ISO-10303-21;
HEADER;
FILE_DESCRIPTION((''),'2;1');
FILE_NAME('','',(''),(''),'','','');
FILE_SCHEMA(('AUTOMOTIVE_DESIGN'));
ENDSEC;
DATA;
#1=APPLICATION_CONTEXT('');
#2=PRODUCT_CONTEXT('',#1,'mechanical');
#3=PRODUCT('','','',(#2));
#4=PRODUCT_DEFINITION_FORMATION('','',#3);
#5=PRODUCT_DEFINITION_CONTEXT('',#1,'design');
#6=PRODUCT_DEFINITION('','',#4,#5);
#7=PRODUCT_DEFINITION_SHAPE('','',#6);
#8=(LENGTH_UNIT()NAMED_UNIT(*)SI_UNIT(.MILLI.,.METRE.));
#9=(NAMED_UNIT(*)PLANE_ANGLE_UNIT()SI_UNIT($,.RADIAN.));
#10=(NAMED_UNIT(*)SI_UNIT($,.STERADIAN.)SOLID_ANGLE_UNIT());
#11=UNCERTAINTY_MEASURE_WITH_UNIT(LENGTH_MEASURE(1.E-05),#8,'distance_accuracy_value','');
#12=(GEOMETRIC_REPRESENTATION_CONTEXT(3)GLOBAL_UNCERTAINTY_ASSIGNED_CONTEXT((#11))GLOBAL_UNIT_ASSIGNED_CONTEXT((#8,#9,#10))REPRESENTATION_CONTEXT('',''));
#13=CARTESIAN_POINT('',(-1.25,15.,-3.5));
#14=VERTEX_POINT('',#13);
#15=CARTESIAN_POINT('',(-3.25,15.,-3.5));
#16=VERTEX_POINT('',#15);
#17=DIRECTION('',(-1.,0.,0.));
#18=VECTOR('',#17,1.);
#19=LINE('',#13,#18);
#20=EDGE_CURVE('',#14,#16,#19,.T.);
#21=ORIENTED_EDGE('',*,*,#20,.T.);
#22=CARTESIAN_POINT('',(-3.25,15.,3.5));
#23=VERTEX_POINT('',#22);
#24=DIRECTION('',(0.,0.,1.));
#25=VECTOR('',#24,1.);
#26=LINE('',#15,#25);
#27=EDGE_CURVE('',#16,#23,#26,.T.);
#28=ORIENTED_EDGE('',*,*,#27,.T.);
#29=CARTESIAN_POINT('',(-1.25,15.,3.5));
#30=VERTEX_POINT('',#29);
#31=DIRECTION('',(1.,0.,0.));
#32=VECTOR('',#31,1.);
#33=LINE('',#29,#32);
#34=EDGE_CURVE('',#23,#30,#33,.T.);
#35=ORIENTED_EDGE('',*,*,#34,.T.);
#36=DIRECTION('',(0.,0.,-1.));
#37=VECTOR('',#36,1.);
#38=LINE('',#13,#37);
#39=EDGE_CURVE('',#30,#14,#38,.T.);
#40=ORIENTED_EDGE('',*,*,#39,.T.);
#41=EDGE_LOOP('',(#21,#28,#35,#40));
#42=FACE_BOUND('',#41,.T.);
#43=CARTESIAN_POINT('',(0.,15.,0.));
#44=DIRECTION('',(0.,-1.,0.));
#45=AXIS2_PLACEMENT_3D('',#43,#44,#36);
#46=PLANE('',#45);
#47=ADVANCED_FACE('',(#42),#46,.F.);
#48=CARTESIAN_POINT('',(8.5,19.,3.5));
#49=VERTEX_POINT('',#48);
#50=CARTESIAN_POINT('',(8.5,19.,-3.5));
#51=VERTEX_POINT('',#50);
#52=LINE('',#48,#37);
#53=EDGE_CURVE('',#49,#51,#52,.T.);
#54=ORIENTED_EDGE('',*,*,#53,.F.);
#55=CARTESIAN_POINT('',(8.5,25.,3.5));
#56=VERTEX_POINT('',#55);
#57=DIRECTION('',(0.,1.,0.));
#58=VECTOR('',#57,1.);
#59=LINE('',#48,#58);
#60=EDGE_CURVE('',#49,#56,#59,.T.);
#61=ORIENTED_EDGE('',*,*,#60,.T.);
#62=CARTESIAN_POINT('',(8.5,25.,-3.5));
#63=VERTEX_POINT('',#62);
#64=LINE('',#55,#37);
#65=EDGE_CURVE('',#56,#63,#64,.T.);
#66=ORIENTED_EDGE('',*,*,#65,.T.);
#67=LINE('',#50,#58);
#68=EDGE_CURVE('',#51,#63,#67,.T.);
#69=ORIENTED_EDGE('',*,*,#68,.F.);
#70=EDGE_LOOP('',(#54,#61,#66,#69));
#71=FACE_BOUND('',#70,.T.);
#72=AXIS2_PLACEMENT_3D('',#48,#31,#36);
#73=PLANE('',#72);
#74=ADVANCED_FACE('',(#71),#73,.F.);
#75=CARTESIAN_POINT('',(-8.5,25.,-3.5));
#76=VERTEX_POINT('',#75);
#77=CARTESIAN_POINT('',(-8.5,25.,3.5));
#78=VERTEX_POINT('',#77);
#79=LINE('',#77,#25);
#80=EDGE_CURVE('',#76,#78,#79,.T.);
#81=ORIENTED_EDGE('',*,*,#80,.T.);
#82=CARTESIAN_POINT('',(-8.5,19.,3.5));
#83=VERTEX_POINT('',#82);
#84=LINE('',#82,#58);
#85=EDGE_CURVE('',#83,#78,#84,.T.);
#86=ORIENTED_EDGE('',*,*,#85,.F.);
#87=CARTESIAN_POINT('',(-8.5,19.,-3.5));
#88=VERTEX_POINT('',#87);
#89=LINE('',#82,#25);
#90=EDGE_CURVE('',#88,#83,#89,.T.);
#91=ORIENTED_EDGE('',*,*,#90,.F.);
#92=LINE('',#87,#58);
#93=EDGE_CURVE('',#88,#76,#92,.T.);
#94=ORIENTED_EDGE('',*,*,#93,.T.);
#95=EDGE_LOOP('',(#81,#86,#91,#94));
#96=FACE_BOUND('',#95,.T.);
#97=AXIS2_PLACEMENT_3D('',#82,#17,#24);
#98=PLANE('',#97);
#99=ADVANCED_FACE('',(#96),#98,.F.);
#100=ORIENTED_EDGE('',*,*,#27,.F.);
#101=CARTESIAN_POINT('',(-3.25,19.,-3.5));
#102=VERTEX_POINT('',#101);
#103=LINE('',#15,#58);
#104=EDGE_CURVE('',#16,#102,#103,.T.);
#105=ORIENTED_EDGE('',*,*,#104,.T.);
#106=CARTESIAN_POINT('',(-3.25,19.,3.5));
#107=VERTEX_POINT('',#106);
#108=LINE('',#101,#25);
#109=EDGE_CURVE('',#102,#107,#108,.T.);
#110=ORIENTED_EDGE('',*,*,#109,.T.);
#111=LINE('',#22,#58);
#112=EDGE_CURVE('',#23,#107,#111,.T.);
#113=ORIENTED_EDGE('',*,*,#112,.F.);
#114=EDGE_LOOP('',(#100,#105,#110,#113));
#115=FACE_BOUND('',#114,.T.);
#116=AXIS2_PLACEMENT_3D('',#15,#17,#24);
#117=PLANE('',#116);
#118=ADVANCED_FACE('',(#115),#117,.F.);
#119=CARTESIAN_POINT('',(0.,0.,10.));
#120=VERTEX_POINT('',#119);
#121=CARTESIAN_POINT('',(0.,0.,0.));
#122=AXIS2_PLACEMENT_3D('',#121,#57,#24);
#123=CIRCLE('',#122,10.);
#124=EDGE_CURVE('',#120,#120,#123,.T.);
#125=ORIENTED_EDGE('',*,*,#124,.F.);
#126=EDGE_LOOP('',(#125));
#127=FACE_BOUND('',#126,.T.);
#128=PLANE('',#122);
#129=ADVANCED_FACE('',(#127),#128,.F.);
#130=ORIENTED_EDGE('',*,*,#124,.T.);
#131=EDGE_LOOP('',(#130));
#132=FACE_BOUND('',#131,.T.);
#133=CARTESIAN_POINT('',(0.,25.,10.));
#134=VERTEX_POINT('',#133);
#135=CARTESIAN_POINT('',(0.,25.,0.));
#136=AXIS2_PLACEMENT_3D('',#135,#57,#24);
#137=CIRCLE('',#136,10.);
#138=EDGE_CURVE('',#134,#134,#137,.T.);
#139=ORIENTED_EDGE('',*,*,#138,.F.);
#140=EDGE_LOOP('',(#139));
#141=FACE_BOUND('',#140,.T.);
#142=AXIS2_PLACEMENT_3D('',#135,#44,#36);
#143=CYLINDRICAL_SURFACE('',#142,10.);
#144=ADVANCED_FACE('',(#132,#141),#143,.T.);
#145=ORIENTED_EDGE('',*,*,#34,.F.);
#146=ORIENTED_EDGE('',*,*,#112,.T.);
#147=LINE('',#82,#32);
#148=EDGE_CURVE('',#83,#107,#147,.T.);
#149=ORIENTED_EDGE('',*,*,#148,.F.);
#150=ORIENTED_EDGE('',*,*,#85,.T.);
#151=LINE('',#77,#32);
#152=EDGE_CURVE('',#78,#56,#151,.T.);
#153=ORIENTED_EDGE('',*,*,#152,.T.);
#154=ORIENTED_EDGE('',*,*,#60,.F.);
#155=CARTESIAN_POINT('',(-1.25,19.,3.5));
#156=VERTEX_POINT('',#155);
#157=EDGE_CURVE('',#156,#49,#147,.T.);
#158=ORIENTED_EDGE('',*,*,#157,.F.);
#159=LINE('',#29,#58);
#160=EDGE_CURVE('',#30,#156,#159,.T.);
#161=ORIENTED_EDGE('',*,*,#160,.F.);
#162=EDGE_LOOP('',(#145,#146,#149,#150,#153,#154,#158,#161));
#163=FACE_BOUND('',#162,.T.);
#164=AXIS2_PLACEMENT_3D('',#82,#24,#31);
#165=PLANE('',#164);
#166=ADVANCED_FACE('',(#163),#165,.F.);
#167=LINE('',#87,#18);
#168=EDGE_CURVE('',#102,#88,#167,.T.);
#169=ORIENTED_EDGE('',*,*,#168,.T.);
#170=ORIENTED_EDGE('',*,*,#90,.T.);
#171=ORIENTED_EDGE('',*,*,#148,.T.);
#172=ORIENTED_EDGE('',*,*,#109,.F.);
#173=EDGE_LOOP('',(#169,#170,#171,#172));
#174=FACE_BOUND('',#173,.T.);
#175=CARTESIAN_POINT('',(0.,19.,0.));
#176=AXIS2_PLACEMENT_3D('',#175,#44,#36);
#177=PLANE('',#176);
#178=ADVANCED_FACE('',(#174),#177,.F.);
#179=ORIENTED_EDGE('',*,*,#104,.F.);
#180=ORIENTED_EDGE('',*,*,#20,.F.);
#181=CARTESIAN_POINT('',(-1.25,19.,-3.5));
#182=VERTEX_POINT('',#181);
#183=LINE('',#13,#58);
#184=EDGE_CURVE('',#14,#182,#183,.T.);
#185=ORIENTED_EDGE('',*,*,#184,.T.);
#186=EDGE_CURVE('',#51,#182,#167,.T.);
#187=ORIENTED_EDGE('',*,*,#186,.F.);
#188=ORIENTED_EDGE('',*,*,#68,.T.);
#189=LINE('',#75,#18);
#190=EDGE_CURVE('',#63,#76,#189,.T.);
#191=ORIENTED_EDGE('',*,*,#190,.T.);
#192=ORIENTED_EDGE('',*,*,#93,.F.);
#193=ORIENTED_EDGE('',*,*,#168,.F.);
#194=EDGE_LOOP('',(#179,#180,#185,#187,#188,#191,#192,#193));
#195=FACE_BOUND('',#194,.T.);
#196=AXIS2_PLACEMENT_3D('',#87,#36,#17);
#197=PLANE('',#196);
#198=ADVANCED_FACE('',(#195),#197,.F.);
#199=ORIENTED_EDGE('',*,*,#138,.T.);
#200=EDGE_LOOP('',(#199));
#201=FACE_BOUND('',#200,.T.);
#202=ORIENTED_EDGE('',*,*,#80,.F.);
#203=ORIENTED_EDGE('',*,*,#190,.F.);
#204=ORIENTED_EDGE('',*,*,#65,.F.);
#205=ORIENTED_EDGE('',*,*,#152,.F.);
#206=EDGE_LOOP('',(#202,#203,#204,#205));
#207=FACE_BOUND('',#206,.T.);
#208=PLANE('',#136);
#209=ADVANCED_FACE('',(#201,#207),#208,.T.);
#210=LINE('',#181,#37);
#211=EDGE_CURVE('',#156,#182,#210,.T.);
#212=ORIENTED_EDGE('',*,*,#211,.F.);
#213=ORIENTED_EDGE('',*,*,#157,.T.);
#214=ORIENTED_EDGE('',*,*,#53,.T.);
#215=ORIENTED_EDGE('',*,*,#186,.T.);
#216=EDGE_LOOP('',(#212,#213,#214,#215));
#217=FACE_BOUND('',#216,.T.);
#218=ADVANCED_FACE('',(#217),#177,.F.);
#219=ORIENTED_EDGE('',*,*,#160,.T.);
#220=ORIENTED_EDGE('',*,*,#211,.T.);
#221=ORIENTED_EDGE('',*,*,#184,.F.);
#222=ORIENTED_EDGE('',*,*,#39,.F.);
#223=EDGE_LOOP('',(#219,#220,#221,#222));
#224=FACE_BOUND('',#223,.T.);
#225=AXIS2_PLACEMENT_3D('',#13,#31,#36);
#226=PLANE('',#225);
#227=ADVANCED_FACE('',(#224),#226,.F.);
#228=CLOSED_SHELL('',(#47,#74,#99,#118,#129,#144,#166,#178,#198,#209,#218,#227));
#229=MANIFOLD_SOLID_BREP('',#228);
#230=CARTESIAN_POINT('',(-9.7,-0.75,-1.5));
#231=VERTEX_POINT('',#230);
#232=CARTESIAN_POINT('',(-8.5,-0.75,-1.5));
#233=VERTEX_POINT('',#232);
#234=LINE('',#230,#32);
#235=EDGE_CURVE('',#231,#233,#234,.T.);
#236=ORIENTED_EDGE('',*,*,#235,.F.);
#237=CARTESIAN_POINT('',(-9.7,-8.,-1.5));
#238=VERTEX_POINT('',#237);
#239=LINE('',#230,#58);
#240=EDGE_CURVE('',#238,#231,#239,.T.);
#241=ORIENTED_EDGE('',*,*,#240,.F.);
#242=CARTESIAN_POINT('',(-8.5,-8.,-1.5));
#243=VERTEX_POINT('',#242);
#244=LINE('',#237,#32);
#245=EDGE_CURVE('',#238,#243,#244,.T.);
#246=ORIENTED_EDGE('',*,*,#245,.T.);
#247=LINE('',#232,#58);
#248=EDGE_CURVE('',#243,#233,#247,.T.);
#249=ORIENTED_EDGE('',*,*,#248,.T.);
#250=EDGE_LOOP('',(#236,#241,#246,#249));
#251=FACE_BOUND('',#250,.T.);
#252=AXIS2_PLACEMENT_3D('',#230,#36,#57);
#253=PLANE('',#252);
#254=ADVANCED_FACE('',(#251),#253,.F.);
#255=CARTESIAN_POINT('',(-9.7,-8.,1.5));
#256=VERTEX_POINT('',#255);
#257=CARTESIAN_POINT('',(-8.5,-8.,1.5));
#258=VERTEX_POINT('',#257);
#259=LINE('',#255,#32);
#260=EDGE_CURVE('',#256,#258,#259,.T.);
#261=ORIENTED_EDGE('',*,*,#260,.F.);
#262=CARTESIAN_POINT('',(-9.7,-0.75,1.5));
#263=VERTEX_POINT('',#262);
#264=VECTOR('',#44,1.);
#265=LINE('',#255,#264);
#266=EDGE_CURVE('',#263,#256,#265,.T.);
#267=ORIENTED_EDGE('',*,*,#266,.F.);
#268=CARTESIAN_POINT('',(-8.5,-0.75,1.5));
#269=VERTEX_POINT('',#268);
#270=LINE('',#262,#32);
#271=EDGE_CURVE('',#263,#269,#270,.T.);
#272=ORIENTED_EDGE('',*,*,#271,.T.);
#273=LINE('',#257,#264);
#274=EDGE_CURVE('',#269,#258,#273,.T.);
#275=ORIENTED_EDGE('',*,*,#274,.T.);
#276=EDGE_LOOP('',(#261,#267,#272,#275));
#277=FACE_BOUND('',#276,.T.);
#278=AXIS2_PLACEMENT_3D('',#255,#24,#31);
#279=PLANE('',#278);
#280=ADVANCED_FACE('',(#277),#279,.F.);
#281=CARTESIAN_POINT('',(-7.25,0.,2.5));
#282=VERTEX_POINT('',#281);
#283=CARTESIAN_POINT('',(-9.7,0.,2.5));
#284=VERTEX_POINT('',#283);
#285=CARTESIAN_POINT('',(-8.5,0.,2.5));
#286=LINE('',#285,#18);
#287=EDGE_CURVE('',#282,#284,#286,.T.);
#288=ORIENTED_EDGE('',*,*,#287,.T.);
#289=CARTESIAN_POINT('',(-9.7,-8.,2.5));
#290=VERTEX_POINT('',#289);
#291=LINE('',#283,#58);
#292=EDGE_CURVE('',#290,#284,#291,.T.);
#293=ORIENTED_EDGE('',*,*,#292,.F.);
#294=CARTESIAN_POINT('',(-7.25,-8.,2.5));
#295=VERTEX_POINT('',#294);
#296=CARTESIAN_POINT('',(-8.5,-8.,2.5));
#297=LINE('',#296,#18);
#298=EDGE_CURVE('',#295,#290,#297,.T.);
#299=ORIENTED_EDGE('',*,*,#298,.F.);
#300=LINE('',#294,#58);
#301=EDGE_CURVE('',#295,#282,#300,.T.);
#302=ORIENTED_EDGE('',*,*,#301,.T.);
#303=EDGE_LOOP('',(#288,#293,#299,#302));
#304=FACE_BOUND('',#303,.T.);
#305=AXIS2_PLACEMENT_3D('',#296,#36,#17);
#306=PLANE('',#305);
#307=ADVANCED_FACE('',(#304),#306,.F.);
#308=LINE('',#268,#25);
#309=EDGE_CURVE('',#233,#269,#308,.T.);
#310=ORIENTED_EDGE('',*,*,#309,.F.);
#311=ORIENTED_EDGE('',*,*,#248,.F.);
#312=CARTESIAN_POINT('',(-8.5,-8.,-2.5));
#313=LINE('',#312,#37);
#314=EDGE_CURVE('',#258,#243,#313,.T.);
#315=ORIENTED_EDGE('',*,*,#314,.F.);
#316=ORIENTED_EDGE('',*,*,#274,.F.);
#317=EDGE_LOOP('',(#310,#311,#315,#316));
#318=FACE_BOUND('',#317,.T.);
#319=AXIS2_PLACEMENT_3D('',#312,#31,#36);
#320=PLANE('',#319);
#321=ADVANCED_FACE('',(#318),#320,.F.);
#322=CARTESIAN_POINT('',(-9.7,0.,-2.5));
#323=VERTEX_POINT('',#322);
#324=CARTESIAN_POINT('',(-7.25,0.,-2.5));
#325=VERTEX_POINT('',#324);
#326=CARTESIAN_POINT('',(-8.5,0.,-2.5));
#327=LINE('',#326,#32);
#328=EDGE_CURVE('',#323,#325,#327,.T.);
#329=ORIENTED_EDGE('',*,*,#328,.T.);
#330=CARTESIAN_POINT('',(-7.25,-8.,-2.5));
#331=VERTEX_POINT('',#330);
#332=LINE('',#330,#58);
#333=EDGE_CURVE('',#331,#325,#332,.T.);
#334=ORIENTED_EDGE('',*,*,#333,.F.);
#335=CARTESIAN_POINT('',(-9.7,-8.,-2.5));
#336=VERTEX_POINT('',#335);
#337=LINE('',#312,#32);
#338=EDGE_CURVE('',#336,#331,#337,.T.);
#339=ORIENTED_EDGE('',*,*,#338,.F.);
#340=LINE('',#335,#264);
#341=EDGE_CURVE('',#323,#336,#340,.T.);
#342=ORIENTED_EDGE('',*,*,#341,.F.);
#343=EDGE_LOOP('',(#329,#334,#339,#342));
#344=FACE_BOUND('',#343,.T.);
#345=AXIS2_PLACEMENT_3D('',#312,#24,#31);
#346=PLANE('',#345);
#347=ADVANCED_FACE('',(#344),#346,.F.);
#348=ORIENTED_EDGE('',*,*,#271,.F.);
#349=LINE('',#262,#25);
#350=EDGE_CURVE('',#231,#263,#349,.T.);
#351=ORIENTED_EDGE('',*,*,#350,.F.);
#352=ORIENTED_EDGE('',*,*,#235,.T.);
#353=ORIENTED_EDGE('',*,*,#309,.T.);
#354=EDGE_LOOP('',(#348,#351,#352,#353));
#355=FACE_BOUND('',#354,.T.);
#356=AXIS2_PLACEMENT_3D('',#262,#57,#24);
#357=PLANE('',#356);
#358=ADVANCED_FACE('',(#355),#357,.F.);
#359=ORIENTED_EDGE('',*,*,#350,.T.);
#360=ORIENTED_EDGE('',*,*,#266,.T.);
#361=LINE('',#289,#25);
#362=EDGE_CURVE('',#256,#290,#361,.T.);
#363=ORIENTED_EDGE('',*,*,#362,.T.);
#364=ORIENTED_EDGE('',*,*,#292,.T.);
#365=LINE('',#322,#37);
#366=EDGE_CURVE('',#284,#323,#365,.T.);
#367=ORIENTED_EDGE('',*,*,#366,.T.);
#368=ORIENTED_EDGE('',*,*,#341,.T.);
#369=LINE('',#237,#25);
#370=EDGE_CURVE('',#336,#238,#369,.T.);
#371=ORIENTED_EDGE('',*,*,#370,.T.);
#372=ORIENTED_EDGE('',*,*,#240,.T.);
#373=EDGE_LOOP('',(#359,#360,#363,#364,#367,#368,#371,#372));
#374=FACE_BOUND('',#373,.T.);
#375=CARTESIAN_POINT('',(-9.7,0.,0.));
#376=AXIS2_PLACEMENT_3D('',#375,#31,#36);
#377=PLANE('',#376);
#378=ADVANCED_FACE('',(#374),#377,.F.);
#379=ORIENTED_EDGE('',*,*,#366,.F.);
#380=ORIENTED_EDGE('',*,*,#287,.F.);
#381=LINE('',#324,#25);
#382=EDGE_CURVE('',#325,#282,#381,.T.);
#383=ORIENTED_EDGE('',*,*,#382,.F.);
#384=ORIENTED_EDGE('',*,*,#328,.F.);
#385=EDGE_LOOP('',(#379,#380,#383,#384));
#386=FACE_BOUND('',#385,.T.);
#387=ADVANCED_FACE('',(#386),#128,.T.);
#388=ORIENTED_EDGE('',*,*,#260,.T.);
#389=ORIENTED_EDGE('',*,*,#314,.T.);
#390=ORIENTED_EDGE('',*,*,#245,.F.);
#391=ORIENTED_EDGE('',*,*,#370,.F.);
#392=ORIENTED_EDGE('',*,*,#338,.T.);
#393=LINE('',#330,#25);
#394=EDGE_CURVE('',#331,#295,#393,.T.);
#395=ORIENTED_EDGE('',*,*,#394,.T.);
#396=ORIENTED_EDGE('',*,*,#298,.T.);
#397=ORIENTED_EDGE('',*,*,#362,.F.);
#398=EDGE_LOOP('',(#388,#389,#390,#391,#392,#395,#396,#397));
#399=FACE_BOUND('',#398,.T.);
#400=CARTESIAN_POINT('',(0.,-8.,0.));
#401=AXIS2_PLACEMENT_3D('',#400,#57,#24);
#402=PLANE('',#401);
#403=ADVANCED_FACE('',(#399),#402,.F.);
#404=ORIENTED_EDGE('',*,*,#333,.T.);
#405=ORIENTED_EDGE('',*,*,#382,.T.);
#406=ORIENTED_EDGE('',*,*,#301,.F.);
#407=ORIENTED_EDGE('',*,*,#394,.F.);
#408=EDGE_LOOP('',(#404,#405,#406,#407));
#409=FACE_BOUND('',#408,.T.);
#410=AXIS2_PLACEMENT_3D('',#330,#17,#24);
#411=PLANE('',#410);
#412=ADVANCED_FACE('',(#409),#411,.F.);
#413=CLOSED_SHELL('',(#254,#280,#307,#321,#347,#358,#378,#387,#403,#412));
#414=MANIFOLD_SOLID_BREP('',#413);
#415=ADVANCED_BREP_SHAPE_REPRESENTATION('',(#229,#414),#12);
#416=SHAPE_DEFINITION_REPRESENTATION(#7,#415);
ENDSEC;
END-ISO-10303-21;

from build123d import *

# Parameters (mm, degrees)
SKETCH1_R           = 10
BOSS_EXTRUDE1_DEPTH = 25
SKETCH2_W           = 1.25
SKETCH2_H           = 5
BOSS_EXTRUDE2_DEPTH = 8
BOSS_EXTRUDE3_DEPTH = 1.2
SKETCH4_W           = 17
SKETCH4_H           = 7
CUT_EXTRUDE1_DEPTH  = 6
SKETCH5_W           = 2
SKETCH5_H           = 7
CUT_EXTRUDE2_DEPTH  = 4


with BuildPart() as part:
    # Sketch1 → Boss-Extrude1 (new body)
    with BuildSketch(Plane(origin=(0, 0, 0), x_dir=(1, 0, 0), z_dir=(0, 1, 0))):
        with Locations(Location((0, 0, 0), (0, 0, 270))):
            Circle(SKETCH1_R)
    extrude(amount=BOSS_EXTRUDE1_DEPTH)

    # Sketch4 → Cut-Extrude1 (cut)
    with BuildSketch(Plane(origin=(0, 25, 0), x_dir=(1, 0, 0), z_dir=(0, 1, 0))):
        Rectangle(SKETCH4_W, SKETCH4_H)
    extrude(amount=-CUT_EXTRUDE1_DEPTH, mode=Mode.SUBTRACT)

    # Sketch5 → Cut-Extrude2 (cut)
    with BuildSketch(Plane(origin=(0, 19, 0), x_dir=(1, 0, 0), z_dir=(0, 1, 0))):
        with Locations((-2.25, 0)):
            Rectangle(SKETCH5_W, SKETCH5_H)
    extrude(amount=-CUT_EXTRUDE2_DEPTH, mode=Mode.SUBTRACT)


with BuildPart() as body_2:
    # Sketch2 → Boss-Extrude2 (new body)
    with BuildSketch(Plane(origin=(0, 0, 0), x_dir=(-1, 0, 0), z_dir=(0, -1, 0))):
        with Locations((7.875, 0)):
            Rectangle(SKETCH2_W, SKETCH2_H)
    extrude(amount=BOSS_EXTRUDE2_DEPTH)

    # Sketch3 → Boss-Extrude3 (add)
    with BuildSketch(Plane.ZY.offset(8.5)):
        Polygon((-2.5, -8), (-2.5, 0), (2.5, 0), (2.5, -8), (1.5, -8), (1.5, -0.75), (-1.5, -0.75), (-1.5, -8), align=None)
    extrude(amount=BOSS_EXTRUDE3_DEPTH)


solid = Compound([part.part, body_2.part])
